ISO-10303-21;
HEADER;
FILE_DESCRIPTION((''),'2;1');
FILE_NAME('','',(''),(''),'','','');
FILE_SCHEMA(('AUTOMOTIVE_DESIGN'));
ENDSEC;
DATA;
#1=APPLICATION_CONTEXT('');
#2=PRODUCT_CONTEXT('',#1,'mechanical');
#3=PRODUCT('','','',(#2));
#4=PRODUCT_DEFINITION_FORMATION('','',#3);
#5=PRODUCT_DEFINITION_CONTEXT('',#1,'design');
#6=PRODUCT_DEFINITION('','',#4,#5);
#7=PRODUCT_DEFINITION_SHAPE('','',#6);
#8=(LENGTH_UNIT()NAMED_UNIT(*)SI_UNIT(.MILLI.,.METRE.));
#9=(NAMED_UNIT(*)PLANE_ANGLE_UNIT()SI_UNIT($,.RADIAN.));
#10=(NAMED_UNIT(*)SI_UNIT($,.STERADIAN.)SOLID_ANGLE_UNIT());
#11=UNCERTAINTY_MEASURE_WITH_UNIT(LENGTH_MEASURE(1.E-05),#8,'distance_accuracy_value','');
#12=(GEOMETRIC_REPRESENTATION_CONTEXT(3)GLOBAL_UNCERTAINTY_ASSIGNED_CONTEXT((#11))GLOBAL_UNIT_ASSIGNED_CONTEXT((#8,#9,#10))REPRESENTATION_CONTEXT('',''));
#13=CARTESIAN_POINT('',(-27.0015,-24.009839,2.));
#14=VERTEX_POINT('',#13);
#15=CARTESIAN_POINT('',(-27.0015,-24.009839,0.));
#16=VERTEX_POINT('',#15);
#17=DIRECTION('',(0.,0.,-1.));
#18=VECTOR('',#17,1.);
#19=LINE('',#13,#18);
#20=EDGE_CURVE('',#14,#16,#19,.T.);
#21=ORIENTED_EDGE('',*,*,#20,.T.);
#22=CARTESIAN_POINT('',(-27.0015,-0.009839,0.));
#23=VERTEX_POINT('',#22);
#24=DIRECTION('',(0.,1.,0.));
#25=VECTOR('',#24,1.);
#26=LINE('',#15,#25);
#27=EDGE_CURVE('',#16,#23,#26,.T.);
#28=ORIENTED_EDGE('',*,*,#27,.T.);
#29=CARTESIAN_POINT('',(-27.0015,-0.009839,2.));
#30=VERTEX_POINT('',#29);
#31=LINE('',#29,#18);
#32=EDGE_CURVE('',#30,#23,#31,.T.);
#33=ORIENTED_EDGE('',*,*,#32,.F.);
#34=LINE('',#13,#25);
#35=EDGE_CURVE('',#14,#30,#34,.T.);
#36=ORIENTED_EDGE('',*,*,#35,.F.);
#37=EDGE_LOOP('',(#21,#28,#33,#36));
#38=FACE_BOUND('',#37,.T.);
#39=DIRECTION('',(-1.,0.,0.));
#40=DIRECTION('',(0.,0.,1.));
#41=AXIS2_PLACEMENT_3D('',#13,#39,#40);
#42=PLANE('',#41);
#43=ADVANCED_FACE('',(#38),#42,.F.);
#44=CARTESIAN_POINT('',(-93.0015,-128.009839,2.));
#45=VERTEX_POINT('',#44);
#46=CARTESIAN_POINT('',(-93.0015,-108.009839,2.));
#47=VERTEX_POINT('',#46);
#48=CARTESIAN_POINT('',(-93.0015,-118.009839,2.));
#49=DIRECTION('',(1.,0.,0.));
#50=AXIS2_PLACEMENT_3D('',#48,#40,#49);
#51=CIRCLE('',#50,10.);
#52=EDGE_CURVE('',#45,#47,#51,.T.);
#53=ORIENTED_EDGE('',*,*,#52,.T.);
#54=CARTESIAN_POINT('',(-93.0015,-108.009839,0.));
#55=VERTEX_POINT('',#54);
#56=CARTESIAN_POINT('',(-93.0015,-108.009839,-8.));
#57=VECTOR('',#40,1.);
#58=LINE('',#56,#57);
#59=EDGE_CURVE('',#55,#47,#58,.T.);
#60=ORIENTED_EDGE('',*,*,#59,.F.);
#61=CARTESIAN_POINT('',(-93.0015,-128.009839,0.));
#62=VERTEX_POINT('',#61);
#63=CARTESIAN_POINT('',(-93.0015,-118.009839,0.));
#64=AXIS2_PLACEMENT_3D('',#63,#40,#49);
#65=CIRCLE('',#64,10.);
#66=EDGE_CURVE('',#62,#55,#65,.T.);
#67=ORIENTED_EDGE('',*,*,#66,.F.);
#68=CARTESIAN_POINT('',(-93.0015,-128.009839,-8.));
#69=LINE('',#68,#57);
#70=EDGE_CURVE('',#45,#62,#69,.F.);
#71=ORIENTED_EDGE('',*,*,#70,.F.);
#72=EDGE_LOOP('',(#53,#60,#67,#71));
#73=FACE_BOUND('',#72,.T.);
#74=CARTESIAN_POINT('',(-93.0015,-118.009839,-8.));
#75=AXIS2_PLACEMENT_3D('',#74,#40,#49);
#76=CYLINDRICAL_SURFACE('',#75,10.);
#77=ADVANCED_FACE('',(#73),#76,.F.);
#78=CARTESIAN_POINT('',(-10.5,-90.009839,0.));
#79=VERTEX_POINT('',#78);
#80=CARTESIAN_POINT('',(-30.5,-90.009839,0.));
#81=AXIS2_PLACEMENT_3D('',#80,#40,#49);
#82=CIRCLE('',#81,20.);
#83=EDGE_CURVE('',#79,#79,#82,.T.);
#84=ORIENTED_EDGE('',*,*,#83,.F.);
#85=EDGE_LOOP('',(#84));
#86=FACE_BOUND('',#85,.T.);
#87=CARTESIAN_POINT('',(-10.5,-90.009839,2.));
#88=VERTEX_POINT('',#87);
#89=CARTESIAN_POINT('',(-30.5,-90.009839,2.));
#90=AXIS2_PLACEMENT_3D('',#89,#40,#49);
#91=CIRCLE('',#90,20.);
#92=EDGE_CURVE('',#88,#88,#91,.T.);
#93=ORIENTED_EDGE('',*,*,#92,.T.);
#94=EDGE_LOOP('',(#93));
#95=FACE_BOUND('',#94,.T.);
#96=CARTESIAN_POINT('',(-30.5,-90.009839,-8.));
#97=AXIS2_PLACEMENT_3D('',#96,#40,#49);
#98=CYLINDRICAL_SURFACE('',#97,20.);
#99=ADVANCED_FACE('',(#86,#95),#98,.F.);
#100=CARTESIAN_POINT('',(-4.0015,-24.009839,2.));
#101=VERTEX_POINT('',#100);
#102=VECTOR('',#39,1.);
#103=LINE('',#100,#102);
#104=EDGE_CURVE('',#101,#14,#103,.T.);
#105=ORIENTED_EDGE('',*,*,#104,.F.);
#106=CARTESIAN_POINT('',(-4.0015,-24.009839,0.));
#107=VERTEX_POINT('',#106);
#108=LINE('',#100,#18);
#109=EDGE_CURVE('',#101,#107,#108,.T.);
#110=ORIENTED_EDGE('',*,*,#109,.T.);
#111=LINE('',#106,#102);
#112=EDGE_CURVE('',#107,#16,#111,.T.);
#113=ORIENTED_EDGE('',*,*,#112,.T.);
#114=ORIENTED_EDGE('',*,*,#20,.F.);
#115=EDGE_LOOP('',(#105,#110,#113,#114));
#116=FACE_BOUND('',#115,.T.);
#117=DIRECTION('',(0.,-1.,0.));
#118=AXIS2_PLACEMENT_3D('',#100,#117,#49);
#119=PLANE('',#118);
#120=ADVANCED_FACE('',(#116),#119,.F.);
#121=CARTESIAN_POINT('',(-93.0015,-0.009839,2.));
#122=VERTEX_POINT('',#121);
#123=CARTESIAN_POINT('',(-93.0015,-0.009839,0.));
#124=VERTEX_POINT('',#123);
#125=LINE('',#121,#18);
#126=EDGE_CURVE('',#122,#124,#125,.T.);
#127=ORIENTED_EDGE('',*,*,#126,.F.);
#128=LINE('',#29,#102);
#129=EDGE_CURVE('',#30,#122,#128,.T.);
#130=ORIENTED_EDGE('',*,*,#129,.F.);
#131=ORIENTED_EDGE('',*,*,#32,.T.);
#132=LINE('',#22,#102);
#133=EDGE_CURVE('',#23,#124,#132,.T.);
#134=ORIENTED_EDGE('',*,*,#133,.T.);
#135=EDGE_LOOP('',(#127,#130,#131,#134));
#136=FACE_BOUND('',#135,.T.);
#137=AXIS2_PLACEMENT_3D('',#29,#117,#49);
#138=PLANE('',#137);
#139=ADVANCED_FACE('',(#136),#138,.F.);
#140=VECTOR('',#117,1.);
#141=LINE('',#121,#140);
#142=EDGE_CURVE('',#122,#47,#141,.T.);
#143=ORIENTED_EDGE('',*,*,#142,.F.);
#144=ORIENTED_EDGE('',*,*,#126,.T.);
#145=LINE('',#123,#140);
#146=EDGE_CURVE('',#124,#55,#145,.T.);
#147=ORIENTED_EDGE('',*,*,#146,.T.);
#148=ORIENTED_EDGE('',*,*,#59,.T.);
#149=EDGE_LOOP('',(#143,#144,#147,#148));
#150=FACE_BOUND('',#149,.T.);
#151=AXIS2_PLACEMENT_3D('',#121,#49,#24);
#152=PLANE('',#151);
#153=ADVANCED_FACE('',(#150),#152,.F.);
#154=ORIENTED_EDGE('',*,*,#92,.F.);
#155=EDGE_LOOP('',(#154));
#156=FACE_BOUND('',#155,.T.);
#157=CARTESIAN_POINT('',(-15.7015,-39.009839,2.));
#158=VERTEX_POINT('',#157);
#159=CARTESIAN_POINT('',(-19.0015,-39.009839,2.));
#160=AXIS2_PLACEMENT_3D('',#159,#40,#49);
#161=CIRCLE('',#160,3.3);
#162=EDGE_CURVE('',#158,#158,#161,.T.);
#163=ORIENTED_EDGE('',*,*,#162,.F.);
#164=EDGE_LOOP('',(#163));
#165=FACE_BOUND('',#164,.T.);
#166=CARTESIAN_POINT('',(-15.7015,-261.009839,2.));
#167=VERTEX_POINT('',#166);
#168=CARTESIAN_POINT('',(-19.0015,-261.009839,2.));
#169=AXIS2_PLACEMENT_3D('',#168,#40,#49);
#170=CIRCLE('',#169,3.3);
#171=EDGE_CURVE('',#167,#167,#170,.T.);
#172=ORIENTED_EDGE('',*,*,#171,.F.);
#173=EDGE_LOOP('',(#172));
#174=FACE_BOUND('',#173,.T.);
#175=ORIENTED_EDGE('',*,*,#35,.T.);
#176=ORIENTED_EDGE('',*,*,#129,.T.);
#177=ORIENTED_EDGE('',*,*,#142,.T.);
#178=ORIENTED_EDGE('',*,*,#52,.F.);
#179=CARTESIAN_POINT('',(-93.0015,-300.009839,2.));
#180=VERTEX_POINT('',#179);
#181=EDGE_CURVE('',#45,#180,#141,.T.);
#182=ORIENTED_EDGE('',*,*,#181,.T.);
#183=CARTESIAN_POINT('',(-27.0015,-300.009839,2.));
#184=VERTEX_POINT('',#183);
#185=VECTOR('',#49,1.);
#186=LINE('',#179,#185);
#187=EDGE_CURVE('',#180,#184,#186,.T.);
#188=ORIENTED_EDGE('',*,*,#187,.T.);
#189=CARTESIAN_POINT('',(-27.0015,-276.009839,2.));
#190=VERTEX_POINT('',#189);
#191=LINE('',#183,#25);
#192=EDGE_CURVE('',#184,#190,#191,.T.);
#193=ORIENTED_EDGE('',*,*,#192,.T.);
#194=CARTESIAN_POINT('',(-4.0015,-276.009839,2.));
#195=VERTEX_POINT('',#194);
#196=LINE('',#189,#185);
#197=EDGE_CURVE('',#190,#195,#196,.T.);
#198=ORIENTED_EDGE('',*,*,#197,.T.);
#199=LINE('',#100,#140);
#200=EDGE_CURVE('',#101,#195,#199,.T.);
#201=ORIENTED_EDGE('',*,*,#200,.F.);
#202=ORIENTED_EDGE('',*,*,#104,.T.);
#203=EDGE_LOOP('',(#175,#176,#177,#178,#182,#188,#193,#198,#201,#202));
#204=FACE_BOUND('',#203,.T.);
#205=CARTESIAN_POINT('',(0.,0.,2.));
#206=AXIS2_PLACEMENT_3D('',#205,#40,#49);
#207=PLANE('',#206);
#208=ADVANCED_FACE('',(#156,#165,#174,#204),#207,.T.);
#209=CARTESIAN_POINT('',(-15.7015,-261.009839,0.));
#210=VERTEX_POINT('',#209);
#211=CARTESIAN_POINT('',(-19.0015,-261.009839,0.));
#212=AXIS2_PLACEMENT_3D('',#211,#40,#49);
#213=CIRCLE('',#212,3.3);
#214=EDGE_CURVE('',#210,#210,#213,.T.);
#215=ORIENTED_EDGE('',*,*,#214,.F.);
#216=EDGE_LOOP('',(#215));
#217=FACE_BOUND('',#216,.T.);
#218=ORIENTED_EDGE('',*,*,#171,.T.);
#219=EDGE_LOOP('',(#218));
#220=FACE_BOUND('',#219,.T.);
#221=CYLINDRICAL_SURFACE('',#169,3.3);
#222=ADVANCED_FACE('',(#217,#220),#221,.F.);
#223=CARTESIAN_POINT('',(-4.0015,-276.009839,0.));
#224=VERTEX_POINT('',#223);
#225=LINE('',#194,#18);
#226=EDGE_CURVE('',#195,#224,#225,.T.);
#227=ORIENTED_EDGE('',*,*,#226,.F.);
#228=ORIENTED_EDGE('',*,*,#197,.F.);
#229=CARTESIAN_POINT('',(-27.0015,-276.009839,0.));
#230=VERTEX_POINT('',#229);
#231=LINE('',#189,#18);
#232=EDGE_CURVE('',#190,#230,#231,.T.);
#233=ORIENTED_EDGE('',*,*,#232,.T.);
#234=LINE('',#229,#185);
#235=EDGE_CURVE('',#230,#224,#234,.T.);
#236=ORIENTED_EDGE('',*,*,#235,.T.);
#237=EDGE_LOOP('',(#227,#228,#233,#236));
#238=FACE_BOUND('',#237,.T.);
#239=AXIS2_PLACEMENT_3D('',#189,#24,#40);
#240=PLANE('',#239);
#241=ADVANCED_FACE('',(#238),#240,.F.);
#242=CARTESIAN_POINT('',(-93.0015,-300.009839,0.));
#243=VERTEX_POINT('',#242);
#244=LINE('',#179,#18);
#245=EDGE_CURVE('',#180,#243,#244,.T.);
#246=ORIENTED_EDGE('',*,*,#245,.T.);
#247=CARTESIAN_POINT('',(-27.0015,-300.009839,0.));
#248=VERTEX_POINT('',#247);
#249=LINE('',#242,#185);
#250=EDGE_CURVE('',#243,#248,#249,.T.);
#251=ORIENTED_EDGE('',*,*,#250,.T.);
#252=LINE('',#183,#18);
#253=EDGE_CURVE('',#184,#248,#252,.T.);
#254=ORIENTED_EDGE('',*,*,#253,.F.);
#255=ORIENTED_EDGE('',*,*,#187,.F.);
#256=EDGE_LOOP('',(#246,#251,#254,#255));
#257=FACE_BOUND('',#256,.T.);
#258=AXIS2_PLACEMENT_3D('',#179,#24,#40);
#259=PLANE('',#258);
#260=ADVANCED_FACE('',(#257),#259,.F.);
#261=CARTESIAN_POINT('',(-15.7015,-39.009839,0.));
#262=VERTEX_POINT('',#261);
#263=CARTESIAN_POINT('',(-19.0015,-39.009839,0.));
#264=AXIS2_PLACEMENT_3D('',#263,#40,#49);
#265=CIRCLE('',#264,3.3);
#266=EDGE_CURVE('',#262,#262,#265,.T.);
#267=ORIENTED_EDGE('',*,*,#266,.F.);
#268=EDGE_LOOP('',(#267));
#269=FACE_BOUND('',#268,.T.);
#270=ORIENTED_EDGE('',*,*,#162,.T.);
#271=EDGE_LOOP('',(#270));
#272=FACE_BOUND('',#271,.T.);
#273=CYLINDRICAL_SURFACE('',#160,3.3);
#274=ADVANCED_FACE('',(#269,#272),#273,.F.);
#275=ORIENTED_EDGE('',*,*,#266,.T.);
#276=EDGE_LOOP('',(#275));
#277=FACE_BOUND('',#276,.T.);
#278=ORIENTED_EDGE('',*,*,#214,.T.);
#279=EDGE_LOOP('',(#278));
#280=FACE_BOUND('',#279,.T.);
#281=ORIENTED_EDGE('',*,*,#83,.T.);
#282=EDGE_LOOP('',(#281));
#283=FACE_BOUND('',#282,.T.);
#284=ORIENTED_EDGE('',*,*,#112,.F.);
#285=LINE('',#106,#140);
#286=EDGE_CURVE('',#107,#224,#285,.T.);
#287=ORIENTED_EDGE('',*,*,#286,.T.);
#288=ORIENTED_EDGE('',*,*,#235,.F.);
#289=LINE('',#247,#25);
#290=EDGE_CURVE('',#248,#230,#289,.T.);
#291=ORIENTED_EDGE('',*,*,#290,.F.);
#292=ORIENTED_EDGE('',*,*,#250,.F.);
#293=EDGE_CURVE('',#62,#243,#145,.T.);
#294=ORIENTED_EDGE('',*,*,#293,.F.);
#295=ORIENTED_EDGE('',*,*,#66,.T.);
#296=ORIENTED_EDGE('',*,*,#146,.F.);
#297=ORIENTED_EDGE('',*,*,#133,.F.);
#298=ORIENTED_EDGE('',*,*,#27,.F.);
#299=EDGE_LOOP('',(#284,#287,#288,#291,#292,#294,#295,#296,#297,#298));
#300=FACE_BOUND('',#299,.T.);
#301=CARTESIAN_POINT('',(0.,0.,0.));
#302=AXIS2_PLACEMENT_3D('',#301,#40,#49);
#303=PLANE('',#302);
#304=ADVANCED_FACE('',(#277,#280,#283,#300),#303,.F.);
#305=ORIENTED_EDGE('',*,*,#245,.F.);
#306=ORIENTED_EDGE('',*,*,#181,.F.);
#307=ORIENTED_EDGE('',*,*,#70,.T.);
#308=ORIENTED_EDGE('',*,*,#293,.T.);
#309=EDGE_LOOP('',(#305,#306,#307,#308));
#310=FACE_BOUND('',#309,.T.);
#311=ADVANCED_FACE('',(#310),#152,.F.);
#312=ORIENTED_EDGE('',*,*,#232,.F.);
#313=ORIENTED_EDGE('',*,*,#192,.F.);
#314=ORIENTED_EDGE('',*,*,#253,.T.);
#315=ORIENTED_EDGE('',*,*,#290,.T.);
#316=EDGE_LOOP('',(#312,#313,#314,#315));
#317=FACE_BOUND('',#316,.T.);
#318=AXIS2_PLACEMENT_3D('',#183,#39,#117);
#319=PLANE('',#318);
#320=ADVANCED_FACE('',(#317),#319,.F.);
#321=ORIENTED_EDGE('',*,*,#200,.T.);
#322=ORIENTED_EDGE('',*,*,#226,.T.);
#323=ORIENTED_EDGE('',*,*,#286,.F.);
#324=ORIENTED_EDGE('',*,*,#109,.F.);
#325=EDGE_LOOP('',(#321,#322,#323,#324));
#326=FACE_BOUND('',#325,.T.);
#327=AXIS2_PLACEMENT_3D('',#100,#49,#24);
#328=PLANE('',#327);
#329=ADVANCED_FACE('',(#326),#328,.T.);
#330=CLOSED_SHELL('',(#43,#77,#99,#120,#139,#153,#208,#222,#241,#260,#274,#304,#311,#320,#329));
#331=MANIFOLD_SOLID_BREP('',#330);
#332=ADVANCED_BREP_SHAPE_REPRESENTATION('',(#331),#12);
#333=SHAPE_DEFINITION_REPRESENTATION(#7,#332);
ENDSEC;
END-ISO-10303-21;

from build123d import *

# Parameters (mm, degrees)
AUFSATZ_LINEAR_AUSTRAGEN1_DEPTH = 2
SKIZZE2_R                       = 20
SKIZZE2_R_2                     = 10
SCHNITT_LINEAR_AUSTRAGEN1_DEPTH = 10
DURCHGANGSLOCH_F_R_M61_D        = 6.6


with BuildPart() as part:
    # Skizze1 → Aufsatz-Linear austragen1 (new body)
    with BuildSketch(Plane.XY):
        Polygon((-4.0015, -24.009838693), (-27.0015, -24.009838693), (-27.0015, -0.009838693), (-93.0015, -0.009838693), (-93.0015, -300.009838693), (-27.0015, -300.009838693), (-27.0015, -276.009838693), (-4.0015, -276.009838693), align=None)
    extrude(amount=AUFSATZ_LINEAR_AUSTRAGEN1_DEPTH)

    # Skizze2 → Schnitt-Linear austragen1 (cut)
    with BuildSketch(Plane.XY.offset(2)):
        with Locations((-30.5, -90.009838693)):
            Circle(SKIZZE2_R)
        with Locations((-93.0015, -118.009838693)):
            Circle(SKIZZE2_R_2)
    extrude(amount=-SCHNITT_LINEAR_AUSTRAGEN1_DEPTH, mode=Mode.SUBTRACT)

    # Durchgangsloch für M61 (through all)
    with Locations(Plane.XY.offset(2)):
        with Locations((-19.0015, -39.009838693), (-19.0015, -261.009838693)):
            Hole(DURCHGANGSLOCH_F_R_M61_D / 2)


solid = part.part
